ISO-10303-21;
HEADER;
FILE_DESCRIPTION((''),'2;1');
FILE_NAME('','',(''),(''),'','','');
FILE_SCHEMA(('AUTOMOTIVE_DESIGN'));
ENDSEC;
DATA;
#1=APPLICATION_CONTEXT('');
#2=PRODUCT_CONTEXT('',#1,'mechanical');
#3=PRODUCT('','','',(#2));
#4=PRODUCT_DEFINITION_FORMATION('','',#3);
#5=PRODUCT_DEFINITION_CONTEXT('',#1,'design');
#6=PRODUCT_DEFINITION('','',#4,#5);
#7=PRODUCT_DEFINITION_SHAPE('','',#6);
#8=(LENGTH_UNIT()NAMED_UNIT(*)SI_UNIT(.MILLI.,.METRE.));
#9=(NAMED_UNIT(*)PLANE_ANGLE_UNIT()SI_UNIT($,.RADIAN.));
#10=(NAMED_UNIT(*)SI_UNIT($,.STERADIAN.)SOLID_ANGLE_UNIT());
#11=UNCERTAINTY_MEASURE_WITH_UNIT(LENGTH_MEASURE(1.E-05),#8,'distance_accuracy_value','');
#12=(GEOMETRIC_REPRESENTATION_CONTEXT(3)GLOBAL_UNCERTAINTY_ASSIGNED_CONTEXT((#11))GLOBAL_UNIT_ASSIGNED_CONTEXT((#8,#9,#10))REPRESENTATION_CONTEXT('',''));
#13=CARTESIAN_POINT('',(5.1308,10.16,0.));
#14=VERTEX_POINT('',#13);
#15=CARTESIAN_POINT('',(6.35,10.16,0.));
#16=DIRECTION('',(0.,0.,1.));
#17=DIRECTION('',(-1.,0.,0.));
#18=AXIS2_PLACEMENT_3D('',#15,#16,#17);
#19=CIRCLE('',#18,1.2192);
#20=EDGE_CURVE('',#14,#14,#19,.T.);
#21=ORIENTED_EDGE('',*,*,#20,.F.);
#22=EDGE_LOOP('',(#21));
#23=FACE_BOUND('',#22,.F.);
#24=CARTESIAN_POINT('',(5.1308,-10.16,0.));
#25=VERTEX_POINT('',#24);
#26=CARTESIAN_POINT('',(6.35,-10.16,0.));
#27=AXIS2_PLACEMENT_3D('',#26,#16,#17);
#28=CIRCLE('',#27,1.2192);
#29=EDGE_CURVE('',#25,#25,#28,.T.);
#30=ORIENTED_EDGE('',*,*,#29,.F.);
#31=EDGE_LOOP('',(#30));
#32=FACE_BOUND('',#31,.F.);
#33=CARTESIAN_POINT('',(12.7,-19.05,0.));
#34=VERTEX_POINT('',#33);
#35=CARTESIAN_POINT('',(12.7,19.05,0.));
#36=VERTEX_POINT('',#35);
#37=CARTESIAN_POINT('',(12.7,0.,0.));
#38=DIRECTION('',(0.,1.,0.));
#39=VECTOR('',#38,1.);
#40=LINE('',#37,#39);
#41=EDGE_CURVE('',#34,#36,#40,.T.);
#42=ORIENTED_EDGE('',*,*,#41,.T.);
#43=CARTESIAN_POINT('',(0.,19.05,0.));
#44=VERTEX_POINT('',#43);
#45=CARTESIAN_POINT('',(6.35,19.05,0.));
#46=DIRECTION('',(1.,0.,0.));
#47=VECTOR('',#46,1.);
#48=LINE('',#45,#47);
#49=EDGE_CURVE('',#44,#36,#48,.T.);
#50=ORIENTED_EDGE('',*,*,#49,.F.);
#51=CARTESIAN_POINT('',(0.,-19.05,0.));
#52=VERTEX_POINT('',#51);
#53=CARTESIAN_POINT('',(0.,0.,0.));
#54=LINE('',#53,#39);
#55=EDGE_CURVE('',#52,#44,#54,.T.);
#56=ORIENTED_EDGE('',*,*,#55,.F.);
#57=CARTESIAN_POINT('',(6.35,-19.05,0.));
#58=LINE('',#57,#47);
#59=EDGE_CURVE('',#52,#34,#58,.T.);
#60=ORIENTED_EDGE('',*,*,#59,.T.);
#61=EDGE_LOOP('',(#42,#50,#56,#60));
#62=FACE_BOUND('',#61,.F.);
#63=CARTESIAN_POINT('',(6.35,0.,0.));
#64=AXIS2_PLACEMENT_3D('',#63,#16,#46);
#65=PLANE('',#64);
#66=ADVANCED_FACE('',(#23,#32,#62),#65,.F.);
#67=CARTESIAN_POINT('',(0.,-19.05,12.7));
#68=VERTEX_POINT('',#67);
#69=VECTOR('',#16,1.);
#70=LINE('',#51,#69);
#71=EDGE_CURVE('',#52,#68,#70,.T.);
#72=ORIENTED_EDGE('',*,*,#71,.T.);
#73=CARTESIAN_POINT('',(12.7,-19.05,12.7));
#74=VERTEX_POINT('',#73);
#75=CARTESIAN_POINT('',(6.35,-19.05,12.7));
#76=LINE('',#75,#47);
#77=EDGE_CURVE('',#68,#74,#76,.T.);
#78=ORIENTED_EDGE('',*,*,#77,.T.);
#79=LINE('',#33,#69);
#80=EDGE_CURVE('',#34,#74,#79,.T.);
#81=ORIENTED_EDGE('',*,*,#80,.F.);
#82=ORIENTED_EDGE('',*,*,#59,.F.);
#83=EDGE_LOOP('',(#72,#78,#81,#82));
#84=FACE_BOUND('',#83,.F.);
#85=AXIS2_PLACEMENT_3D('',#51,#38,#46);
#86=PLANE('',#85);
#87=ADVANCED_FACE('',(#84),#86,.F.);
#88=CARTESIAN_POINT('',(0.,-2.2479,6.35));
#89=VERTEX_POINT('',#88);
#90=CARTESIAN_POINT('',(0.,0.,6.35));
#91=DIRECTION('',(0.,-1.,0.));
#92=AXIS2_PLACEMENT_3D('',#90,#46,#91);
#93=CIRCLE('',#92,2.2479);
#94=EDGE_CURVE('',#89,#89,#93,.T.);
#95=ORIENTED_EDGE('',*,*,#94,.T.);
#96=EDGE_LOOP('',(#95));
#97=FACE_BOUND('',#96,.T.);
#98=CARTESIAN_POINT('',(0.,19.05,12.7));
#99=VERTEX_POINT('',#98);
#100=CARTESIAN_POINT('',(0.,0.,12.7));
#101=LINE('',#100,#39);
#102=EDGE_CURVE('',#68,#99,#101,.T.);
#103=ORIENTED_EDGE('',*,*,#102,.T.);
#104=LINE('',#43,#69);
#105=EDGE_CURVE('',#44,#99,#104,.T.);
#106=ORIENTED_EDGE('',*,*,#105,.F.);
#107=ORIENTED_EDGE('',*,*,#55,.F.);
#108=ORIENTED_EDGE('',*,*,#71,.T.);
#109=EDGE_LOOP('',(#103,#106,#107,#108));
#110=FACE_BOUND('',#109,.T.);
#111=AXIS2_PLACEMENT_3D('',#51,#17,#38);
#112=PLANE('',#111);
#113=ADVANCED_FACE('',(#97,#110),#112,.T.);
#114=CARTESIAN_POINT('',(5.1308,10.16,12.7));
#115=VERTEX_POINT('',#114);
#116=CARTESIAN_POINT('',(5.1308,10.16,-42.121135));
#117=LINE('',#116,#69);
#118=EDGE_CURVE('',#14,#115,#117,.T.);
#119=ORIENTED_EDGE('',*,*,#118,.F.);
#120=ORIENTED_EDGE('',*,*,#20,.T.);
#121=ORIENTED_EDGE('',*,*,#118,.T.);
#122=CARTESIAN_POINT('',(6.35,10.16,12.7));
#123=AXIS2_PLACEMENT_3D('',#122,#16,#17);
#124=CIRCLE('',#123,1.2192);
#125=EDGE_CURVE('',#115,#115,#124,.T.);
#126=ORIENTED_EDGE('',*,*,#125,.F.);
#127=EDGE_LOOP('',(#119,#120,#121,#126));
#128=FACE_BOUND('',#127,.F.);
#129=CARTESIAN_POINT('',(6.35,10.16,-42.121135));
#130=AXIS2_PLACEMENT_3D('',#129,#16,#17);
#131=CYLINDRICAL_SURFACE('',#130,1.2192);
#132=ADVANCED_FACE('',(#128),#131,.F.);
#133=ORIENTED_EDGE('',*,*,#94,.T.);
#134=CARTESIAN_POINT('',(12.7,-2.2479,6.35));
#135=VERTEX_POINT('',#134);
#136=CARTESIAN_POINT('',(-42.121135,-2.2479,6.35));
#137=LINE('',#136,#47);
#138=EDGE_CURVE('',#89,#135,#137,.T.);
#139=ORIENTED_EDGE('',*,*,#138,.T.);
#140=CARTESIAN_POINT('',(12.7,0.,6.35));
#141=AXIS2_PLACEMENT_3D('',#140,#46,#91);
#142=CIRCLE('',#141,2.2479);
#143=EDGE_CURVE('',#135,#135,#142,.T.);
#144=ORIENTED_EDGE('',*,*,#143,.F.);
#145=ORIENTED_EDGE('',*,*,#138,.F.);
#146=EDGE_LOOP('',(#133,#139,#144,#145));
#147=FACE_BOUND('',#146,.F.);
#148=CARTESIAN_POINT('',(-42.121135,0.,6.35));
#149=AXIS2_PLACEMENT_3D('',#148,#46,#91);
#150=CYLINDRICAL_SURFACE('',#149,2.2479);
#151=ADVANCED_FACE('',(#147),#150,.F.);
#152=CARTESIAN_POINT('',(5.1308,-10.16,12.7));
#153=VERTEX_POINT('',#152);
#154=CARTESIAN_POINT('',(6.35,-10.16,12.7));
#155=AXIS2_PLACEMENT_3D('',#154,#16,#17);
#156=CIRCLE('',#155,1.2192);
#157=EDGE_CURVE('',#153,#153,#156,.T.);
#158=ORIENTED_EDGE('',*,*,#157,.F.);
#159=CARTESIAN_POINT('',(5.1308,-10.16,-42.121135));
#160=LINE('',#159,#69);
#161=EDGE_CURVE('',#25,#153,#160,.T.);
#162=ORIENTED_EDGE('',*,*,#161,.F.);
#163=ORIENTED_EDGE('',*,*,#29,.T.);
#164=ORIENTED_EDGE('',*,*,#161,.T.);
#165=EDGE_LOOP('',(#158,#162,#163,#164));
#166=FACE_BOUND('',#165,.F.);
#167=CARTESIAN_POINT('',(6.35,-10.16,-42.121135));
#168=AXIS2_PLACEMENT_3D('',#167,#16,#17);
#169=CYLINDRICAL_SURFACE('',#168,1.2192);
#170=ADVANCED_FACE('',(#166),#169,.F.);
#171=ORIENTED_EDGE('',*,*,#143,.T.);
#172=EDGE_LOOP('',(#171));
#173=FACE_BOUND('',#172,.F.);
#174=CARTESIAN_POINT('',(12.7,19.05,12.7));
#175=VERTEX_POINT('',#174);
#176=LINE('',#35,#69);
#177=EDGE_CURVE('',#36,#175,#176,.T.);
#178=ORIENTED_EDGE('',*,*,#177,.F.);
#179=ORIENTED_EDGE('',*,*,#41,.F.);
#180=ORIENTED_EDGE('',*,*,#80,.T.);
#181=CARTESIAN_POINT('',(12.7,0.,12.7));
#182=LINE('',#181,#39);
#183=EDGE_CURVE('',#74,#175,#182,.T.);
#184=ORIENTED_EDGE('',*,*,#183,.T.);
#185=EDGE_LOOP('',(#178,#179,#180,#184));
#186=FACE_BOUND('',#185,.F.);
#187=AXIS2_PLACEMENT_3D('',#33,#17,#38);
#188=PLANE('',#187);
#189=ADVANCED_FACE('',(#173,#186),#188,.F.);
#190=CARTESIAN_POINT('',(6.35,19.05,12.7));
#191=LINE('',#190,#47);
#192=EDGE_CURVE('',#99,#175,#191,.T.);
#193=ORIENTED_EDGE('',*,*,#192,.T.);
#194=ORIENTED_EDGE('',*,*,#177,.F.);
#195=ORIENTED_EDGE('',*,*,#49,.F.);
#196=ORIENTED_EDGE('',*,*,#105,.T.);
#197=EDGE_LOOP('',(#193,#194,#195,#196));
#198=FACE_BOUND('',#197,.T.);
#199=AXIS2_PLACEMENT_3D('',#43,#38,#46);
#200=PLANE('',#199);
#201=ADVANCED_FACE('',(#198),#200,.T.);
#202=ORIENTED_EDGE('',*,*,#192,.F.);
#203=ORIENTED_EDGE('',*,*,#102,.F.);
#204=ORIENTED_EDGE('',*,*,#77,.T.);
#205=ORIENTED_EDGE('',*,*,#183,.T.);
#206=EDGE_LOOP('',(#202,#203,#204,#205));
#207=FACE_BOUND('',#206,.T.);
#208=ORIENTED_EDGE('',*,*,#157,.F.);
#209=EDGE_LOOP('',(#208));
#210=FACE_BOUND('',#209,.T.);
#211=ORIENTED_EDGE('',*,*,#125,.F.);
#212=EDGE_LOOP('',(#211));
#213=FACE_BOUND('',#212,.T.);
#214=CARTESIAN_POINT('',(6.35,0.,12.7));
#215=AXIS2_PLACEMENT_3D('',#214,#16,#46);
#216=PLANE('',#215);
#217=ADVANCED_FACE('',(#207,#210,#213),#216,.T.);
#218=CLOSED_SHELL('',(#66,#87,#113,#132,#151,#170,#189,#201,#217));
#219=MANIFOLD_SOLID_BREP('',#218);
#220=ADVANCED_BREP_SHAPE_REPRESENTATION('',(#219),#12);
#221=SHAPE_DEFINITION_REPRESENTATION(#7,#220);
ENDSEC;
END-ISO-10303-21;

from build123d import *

# Parameters (mm, degrees)
F0_W     = 12.7
F0_H     = 38.1
F1_DEPTH = 12.7
F3_D     = 4.4958
F5_D     = 2.4384


with BuildPart() as f1:
    # F0 (on Top) → F1 (new body)
    with BuildSketch(Plane.XY):
        with Locations((6.35, 0)):
            Rectangle(F0_W, F0_H)
    extrude(amount=F1_DEPTH)

    # F3 (through all)
    with Locations(Plane(origin=(0, 0, 0), x_dir=(0, 1, 0), z_dir=(-1, 0, 0))):
        with Locations((0, -6.35)):
            Hole(F3_D / 2)

    # F5 (through all)
    with Locations(Plane(origin=(0, 0, 0), x_dir=(1, 0, 0), z_dir=(0, 0, -1))):
        with Locations((6.35, -10.16), (6.35, 10.16)):
            Hole(F5_D / 2)


solid = f1.part
